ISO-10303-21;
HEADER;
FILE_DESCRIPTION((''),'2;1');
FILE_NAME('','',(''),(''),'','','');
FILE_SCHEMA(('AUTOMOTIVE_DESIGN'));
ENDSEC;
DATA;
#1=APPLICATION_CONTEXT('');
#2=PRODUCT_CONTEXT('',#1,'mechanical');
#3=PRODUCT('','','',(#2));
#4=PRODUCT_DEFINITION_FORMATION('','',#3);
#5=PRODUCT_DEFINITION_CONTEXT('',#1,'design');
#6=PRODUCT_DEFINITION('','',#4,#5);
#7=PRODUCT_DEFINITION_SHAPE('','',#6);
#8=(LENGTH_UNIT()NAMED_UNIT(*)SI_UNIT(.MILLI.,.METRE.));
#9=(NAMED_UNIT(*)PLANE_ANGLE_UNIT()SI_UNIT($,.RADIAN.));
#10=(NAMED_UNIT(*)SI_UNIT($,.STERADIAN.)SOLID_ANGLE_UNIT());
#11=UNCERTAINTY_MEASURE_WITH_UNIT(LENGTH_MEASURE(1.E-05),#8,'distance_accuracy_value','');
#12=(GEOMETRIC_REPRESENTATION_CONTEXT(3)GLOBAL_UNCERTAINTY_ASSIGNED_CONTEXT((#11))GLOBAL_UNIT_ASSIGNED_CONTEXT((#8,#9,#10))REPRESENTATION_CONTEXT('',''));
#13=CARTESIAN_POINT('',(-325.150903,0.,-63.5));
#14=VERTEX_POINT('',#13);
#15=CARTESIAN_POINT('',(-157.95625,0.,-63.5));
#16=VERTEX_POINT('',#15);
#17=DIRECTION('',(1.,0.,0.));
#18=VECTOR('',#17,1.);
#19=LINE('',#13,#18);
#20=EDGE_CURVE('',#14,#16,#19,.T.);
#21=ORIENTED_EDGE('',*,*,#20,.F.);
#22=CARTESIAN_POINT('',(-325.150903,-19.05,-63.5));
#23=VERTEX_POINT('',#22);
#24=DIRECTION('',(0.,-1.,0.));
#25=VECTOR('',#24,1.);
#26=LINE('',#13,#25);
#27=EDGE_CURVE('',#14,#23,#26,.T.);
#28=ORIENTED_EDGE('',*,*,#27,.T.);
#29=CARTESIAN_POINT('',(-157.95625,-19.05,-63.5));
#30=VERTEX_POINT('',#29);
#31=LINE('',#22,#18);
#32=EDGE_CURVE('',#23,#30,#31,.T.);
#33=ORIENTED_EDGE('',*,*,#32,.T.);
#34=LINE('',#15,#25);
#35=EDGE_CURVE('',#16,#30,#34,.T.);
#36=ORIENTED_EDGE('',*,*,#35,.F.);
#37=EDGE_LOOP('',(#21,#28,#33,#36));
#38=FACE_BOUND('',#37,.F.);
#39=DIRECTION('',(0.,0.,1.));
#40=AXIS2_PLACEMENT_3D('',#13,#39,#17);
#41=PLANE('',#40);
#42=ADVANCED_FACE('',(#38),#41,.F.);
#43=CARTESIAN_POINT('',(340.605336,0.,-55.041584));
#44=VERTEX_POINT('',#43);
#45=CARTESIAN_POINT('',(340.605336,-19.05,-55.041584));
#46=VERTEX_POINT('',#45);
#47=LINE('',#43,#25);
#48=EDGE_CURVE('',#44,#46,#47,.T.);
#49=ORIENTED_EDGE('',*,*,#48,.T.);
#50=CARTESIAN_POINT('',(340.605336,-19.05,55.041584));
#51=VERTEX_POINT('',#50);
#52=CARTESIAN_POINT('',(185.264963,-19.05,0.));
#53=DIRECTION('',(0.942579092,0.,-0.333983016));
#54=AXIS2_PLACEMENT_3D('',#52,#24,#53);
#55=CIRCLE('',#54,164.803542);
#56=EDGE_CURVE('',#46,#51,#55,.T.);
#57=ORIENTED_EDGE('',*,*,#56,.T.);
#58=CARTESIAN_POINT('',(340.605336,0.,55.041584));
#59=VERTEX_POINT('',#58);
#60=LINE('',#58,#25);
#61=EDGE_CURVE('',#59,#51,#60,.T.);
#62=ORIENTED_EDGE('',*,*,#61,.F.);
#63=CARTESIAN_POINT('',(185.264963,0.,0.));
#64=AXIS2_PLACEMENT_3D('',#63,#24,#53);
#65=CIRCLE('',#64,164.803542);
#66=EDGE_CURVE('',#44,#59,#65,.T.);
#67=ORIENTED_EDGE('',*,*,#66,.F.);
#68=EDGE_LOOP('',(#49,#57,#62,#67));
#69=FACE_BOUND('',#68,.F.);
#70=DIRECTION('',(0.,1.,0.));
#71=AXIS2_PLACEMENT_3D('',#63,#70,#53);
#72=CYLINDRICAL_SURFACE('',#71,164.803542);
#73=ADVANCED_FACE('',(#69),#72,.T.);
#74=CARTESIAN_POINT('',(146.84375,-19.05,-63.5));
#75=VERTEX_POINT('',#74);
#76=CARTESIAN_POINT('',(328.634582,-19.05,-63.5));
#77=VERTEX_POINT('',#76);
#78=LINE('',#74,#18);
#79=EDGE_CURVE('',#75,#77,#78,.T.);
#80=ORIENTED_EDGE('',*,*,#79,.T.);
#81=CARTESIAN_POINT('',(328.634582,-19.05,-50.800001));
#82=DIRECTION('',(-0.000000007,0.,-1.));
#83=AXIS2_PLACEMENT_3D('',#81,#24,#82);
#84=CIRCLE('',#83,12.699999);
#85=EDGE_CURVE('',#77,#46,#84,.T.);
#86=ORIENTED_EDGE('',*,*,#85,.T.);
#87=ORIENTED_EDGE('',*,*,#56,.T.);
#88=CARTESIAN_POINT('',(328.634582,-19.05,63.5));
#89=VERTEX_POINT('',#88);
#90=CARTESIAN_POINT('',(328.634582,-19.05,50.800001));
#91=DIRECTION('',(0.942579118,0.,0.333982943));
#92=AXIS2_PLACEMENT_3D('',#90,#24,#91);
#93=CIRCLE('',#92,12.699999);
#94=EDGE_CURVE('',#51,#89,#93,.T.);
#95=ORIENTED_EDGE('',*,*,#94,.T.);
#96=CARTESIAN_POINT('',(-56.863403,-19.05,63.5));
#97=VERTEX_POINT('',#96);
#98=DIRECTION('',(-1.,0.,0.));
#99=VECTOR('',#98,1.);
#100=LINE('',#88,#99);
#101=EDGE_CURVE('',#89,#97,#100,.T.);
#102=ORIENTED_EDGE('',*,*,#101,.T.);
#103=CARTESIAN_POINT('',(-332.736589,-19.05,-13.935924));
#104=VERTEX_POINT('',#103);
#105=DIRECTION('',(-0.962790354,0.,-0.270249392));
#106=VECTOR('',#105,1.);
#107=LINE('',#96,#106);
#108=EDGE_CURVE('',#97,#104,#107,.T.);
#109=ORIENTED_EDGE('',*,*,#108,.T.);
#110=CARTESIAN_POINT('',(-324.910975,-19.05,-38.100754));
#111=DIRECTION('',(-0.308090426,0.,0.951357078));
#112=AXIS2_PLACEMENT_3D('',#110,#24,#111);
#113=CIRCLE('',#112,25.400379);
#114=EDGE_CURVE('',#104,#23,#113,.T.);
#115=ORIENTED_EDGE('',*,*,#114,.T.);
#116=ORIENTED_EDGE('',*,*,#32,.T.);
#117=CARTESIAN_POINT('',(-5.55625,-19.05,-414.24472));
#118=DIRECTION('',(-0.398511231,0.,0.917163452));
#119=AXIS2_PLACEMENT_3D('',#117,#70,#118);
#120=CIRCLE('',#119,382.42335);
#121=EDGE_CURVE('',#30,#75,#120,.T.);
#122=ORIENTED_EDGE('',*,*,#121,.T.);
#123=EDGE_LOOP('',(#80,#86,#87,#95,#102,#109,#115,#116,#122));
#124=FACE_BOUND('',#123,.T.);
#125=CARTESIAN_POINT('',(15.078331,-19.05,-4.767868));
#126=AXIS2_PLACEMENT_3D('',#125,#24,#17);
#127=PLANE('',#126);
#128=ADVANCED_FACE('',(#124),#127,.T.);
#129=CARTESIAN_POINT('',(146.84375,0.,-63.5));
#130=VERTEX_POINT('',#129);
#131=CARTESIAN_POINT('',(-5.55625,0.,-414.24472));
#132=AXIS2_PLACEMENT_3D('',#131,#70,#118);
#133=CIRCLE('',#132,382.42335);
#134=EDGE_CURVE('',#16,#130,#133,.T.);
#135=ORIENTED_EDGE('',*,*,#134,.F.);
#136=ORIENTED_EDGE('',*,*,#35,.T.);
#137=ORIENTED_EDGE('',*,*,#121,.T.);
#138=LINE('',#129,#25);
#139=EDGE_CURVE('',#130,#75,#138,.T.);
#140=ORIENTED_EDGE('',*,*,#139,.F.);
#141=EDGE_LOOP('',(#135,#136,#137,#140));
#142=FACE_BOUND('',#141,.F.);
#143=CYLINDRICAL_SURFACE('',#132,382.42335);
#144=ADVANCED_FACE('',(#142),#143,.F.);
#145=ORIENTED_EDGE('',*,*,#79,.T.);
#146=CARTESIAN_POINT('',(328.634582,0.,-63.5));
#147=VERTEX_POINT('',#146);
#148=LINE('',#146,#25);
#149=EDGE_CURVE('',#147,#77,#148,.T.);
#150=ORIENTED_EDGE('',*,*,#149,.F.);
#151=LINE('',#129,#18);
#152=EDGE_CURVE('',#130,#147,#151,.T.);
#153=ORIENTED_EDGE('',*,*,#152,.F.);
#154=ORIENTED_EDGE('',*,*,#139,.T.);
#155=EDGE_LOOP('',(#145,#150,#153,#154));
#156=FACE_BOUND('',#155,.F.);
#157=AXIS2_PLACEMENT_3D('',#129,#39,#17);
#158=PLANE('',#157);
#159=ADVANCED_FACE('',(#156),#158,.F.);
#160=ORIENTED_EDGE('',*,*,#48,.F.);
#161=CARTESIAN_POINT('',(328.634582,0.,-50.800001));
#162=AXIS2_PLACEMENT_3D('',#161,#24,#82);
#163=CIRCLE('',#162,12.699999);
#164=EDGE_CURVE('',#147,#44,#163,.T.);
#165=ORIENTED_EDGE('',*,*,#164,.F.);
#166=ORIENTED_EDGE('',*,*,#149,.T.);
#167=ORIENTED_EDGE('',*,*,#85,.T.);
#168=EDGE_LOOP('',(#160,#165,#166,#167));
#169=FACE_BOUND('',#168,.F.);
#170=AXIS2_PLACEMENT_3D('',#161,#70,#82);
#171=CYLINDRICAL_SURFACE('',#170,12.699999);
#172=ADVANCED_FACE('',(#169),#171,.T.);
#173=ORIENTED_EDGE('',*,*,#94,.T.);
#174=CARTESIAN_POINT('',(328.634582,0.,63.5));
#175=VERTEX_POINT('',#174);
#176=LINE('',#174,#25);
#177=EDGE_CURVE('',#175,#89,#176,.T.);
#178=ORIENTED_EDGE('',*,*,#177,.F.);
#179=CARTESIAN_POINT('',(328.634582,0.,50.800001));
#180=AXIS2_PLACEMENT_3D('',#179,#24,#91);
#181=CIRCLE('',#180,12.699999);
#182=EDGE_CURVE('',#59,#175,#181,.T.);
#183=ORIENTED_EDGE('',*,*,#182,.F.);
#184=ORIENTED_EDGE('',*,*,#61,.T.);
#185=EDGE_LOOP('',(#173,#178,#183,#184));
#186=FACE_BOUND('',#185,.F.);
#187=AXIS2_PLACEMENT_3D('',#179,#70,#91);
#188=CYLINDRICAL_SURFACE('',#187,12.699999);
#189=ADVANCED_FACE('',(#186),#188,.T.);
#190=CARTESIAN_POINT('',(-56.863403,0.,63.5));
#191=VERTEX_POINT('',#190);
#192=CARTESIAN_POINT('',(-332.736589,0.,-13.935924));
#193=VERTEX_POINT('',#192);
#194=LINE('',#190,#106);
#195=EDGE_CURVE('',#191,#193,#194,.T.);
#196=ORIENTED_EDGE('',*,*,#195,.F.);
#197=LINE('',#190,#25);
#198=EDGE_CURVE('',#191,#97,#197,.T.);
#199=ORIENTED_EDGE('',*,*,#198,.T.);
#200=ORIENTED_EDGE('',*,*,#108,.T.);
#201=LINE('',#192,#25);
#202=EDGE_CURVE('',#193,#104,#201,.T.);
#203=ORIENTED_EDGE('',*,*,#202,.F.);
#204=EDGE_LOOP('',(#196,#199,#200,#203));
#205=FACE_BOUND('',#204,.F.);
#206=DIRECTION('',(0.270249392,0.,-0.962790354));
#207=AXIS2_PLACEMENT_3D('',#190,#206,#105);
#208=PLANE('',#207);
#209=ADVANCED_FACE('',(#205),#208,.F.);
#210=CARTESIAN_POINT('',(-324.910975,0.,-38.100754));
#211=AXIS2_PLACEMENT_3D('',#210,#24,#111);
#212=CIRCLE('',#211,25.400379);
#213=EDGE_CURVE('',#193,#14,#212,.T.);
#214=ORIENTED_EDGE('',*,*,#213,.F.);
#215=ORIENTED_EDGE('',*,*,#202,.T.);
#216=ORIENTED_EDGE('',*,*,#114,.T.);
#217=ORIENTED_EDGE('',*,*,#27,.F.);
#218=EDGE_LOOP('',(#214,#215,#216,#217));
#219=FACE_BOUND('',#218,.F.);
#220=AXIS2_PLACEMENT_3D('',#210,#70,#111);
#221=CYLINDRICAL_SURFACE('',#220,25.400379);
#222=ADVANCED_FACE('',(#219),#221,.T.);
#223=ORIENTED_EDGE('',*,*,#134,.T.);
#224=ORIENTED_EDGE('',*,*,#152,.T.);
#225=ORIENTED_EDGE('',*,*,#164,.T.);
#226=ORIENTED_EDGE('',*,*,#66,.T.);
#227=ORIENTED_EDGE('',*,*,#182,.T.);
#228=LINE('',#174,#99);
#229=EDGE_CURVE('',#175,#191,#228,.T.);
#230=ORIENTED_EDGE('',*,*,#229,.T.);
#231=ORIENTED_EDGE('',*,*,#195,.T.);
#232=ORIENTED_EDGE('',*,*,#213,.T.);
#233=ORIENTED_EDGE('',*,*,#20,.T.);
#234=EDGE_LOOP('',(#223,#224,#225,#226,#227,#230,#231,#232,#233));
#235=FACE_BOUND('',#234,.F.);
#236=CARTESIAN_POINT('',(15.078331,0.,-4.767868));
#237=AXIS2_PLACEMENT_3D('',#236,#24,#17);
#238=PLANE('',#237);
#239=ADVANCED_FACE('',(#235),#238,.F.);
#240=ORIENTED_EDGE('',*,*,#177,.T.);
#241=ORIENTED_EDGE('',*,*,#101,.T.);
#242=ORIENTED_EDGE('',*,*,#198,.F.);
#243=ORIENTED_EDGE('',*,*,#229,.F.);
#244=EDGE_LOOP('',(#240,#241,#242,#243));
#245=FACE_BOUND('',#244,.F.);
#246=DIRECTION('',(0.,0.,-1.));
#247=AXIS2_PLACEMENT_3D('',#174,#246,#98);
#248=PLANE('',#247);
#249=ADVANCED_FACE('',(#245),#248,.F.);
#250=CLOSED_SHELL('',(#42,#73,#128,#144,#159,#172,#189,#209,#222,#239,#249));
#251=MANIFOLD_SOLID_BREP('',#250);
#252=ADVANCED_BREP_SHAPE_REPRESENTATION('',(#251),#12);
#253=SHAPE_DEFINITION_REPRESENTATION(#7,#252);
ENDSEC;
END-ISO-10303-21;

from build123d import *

# Parameters (mm, degrees)
F1_DEPTH = 19.05


with BuildPart() as f1:
    # F0 (on Front) → F1 (new body)
    with BuildSketch(Plane.XZ):
        with BuildLine():
            Line((328.634582, 63.5), (-56.863403, 63.5))
            Line((-56.863403, 63.5), (-332.736589, -13.935924))
            ThreePointArc((-332.736589, -13.935924), (-350.018995, -41.943488), (-325.150903, -63.5))
            Line((-325.150903, -63.5), (-157.95625, -63.5))
            ThreePointArc((-157.95625, -63.5), (-5.55625, -31.82137), (146.84375, -63.5))
            Line((146.84375, -63.5), (328.634582, -63.5))
            ThreePointArc((328.634582, -63.5), (335.963356, -61.172033), (340.605336, -55.041584))
            ThreePointArc((340.605336, -55.041584), (350.068505, 0), (340.605336, 55.041584))
            ThreePointArc((340.605336, 55.041584), (335.963356, 61.172033), (328.634582, 63.5))
        make_face()
    extrude(amount=F1_DEPTH)


solid = f1.part
